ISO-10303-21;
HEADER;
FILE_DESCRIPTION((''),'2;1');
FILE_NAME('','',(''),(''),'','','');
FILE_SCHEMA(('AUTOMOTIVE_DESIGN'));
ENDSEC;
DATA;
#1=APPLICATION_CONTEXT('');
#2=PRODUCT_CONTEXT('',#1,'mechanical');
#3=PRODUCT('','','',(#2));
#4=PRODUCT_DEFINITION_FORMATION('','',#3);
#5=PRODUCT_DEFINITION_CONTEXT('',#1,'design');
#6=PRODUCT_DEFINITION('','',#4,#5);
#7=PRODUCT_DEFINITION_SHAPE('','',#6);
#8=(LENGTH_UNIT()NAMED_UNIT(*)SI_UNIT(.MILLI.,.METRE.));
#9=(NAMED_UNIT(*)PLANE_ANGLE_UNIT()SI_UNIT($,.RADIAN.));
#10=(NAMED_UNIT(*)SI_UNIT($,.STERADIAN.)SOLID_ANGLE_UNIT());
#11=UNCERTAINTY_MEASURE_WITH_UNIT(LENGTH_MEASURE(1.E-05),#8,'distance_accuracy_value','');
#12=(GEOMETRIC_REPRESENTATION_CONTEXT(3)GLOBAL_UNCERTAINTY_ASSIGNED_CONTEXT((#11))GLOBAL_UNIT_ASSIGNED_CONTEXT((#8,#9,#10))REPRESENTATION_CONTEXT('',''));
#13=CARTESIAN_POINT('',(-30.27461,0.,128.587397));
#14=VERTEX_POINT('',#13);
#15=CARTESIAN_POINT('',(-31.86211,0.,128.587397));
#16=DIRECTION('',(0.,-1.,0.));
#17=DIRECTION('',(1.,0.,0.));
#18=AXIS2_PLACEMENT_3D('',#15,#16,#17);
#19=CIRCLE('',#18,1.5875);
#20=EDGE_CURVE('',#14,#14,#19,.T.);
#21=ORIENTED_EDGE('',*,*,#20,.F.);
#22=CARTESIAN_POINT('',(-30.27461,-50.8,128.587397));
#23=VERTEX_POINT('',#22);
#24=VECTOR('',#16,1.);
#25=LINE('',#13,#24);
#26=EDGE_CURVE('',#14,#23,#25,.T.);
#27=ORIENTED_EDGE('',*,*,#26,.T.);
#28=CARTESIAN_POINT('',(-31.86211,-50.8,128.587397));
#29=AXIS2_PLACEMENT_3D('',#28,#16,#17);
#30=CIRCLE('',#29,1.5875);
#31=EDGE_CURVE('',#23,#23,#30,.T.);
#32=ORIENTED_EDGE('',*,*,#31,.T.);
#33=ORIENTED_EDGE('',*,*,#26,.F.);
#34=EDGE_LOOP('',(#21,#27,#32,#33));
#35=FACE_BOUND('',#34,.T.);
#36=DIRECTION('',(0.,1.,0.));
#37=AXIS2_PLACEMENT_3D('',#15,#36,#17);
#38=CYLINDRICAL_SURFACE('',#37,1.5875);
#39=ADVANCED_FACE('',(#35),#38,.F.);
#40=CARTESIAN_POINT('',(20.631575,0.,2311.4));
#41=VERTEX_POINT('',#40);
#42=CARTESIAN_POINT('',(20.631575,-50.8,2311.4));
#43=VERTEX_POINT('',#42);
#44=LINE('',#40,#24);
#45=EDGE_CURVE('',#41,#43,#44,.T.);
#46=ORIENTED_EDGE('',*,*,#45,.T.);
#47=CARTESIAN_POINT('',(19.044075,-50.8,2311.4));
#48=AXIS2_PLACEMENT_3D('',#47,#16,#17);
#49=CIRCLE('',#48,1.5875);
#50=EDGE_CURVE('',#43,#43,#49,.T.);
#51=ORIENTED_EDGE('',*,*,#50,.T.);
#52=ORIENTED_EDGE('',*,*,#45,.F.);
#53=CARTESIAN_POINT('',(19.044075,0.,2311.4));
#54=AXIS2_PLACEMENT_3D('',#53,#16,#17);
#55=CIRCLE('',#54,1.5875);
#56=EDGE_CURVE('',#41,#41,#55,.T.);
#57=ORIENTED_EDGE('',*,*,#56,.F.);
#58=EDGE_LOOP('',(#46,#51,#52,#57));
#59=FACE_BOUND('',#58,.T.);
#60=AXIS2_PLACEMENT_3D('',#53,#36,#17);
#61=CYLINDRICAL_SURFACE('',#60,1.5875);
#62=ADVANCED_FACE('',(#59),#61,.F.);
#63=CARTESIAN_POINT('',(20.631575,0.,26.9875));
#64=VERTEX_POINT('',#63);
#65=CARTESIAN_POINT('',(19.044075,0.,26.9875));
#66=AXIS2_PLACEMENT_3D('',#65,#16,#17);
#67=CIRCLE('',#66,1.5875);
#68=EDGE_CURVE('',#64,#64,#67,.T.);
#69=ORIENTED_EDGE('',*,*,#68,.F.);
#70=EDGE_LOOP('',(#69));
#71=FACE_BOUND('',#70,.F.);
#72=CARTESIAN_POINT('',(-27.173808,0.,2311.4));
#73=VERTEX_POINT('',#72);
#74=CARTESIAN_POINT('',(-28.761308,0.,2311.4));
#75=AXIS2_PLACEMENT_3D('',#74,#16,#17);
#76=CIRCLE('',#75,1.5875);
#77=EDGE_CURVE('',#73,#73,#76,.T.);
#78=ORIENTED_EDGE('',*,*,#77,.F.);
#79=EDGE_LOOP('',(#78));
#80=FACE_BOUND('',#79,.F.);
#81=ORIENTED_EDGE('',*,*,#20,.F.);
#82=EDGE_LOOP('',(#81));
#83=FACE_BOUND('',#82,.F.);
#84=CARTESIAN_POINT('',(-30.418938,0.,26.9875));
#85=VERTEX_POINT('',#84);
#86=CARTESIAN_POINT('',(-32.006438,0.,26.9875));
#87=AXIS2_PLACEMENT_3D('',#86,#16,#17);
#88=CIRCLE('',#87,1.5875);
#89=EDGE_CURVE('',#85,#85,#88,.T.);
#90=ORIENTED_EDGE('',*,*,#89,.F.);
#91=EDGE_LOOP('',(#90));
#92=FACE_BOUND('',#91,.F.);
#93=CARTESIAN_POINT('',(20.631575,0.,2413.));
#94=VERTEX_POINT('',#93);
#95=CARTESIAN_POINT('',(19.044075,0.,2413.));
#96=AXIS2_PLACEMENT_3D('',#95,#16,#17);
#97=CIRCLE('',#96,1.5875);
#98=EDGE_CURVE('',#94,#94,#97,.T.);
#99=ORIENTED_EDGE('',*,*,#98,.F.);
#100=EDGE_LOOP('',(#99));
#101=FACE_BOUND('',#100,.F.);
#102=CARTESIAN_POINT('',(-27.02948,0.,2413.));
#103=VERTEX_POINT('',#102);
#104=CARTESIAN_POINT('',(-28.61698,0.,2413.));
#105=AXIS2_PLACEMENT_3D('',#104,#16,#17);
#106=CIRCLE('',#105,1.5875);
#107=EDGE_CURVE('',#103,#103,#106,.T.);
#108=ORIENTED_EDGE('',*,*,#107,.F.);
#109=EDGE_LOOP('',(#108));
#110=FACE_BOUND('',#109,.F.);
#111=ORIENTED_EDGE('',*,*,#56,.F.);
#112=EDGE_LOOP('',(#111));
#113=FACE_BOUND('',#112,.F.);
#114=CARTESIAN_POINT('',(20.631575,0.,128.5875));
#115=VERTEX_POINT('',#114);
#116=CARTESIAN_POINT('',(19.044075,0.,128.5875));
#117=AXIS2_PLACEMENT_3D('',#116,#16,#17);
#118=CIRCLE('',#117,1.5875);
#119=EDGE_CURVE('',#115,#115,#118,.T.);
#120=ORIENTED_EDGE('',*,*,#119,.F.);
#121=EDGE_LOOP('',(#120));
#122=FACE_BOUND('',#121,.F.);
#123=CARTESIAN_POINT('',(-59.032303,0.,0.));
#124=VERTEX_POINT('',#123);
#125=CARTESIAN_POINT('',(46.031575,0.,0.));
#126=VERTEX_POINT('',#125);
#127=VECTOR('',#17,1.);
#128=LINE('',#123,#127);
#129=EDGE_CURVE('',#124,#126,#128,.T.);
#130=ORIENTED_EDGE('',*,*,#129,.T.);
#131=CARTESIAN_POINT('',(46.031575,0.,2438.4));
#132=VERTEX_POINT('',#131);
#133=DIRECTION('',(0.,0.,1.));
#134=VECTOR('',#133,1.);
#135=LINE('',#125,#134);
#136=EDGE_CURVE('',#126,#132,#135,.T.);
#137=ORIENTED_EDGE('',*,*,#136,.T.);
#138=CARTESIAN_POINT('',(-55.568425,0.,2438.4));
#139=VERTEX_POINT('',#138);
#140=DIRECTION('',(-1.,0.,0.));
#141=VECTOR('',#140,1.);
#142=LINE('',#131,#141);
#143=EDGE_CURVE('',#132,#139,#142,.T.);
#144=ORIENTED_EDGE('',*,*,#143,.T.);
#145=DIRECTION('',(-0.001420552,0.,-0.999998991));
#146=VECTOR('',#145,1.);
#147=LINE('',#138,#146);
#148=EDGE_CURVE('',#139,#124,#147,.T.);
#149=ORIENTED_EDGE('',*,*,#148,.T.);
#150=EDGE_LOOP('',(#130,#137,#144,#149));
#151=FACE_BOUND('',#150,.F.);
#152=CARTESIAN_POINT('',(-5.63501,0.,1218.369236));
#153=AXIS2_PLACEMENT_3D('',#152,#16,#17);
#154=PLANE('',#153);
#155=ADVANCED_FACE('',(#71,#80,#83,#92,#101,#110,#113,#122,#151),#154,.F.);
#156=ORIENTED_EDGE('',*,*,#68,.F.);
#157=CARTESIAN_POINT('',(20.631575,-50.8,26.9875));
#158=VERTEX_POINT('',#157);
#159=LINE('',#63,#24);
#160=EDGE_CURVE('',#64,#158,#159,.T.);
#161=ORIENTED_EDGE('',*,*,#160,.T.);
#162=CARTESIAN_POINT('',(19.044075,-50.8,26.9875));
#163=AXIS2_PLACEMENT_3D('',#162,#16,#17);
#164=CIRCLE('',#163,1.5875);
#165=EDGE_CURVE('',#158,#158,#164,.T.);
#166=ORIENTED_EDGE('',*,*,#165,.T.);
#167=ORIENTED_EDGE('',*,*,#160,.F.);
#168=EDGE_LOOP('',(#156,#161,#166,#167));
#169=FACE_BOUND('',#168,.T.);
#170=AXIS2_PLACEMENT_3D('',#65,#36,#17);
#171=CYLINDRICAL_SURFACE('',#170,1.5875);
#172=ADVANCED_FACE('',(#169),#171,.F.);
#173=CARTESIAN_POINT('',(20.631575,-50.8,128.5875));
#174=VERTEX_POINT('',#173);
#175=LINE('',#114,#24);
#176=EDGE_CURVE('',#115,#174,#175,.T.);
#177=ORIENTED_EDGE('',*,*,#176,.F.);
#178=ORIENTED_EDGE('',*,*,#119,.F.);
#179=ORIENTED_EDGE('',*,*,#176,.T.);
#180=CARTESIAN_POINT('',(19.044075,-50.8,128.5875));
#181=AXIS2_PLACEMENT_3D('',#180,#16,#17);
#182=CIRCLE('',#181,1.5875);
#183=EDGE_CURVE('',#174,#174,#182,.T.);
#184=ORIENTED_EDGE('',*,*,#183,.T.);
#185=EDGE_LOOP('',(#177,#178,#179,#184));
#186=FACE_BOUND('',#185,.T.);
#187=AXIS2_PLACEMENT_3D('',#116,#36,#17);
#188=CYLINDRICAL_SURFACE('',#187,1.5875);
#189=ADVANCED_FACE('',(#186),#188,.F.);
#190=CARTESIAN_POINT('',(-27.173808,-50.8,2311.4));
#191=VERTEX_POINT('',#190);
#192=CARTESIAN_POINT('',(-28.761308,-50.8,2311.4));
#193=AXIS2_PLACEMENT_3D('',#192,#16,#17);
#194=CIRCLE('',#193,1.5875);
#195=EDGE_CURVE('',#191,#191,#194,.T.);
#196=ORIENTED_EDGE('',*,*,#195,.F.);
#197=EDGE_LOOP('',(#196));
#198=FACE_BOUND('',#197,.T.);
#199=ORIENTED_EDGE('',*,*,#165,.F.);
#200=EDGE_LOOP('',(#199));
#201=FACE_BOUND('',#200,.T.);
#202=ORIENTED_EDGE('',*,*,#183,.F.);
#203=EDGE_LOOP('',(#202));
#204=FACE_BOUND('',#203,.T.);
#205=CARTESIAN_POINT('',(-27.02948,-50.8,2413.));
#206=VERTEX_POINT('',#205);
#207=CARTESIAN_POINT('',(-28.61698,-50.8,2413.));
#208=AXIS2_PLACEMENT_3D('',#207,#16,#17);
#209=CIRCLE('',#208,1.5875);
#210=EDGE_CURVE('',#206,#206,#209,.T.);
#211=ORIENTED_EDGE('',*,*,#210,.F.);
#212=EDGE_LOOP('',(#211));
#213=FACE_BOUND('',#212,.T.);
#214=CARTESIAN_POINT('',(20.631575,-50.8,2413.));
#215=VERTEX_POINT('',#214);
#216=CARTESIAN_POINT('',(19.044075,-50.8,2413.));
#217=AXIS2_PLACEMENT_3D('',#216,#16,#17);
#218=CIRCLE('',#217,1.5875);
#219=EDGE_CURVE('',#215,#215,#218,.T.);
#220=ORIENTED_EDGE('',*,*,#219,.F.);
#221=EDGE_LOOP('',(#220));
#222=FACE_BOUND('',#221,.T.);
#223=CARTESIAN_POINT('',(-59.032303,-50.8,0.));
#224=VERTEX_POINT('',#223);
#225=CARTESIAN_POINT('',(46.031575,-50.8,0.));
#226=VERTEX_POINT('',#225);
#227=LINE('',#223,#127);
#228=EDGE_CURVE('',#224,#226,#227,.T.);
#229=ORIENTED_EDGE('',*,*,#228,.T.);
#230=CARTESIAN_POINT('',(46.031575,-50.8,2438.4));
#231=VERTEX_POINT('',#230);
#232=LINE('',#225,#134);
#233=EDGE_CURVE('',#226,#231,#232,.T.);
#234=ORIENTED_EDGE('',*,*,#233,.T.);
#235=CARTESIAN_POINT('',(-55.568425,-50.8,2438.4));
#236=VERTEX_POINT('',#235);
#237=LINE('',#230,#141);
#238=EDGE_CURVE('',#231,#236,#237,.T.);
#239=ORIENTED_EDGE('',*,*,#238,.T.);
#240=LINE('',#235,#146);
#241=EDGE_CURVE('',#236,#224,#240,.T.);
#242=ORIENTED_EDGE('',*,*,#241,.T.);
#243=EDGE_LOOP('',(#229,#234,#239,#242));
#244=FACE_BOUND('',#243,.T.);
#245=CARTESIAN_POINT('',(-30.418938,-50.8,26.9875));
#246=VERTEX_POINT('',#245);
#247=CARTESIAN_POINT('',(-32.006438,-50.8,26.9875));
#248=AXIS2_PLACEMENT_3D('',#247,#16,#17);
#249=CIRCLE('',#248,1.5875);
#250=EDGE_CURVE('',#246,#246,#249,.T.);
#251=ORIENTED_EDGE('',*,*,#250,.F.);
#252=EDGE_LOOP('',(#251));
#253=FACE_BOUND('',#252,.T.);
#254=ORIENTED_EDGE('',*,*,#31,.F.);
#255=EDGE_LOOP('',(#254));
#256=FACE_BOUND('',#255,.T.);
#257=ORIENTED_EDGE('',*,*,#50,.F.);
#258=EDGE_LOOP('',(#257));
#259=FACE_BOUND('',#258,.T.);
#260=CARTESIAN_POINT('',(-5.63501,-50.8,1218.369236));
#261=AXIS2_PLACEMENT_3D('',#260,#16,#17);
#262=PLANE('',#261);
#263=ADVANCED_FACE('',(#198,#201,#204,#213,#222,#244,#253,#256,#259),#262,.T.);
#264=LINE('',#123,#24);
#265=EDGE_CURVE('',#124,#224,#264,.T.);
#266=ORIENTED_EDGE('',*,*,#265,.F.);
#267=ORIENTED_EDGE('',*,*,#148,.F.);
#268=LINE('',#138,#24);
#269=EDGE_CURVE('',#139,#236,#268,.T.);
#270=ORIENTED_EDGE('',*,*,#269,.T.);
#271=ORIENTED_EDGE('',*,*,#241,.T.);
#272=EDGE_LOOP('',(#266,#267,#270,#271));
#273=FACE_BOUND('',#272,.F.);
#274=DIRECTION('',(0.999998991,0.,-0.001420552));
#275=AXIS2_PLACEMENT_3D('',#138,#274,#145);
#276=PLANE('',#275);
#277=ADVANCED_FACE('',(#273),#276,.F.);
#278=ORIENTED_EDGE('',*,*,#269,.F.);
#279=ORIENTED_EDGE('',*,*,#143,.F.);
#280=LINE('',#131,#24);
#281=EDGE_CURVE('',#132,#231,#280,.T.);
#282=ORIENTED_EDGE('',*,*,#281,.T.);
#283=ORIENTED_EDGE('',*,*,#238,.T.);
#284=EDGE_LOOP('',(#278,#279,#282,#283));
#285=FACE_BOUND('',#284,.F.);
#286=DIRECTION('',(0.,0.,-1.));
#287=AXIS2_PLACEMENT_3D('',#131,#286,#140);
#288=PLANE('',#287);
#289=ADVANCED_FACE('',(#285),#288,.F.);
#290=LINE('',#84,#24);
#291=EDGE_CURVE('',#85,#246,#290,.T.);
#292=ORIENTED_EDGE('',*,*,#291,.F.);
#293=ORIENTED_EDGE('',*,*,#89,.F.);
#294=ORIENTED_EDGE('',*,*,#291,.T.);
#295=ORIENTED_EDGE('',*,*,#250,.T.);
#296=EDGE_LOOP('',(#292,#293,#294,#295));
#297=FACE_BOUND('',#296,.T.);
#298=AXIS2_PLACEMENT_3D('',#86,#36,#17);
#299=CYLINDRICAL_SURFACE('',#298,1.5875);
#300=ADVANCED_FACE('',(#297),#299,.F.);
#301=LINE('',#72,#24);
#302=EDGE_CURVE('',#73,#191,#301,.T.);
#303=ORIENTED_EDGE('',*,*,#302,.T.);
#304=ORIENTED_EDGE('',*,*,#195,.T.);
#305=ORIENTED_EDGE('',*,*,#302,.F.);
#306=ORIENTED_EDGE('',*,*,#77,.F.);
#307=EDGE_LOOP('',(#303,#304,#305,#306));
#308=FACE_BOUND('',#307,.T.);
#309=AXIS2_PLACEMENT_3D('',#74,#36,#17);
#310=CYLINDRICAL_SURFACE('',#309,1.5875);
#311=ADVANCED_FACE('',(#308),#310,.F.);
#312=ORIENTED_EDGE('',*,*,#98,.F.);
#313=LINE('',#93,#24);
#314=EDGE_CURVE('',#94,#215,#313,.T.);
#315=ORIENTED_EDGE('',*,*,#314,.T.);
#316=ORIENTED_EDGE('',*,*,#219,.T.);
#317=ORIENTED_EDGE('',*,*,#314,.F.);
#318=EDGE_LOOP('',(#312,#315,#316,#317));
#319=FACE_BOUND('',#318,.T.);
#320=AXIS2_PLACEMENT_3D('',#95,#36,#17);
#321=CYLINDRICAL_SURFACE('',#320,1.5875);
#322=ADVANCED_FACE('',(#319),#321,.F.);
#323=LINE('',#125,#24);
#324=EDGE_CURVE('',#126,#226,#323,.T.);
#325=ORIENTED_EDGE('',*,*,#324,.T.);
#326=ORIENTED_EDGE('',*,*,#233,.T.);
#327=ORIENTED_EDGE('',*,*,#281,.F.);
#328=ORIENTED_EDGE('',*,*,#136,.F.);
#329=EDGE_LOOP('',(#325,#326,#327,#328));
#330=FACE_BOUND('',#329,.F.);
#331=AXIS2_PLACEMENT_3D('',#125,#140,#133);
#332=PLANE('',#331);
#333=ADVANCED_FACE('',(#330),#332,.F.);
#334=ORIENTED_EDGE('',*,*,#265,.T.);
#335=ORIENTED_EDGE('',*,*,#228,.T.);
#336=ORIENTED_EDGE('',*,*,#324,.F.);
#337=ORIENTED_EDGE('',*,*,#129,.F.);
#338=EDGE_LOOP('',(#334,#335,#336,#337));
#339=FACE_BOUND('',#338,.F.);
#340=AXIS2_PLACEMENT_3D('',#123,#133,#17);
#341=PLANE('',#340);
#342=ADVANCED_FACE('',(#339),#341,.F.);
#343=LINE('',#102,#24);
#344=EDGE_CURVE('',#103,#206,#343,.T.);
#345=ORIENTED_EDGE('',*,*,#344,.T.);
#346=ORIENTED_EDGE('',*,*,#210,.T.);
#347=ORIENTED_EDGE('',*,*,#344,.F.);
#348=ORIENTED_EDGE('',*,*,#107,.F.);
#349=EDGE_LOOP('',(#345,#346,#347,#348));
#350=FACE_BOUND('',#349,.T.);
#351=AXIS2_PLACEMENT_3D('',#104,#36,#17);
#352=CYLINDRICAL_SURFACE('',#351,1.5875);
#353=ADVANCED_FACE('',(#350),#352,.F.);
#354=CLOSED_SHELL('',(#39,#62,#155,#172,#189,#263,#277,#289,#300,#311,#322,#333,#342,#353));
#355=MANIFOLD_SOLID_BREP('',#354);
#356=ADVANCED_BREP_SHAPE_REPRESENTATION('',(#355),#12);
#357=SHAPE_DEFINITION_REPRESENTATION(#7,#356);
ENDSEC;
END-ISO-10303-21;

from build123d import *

# Parameters (mm, degrees)
F0_R     = 1.5875
F1_DEPTH = 50.8


with BuildPart() as f1:
    # F0 (on Front) → F1 (new body)
    with BuildSketch(Plane.XZ):
        Polygon((46.031575, 2438.4), (-55.568425, 2438.4), (-59.032303, 0), (46.031575, 0), align=None)
        with Locations((-32.006438, 26.9875)):
            Circle(F0_R, mode=Mode.SUBTRACT)
        with Locations((-31.86211, 128.587397)):
            Circle(F0_R, mode=Mode.SUBTRACT)
        with Locations((19.044075, 26.9875)):
            Circle(F0_R, mode=Mode.SUBTRACT)
        with Locations((19.044075, 128.5875)):
            Circle(F0_R, mode=Mode.SUBTRACT)
        with Locations((-28.761308, 2311.4)):
            Circle(F0_R, mode=Mode.SUBTRACT)
        with Locations((-28.61698, 2413)):
            Circle(F0_R, mode=Mode.SUBTRACT)
        with Locations((19.044075, 2311.4)):
            Circle(F0_R, mode=Mode.SUBTRACT)
        with Locations((19.044075, 2413)):
            Circle(F0_R, mode=Mode.SUBTRACT)
    extrude(amount=F1_DEPTH)


solid = f1.part
